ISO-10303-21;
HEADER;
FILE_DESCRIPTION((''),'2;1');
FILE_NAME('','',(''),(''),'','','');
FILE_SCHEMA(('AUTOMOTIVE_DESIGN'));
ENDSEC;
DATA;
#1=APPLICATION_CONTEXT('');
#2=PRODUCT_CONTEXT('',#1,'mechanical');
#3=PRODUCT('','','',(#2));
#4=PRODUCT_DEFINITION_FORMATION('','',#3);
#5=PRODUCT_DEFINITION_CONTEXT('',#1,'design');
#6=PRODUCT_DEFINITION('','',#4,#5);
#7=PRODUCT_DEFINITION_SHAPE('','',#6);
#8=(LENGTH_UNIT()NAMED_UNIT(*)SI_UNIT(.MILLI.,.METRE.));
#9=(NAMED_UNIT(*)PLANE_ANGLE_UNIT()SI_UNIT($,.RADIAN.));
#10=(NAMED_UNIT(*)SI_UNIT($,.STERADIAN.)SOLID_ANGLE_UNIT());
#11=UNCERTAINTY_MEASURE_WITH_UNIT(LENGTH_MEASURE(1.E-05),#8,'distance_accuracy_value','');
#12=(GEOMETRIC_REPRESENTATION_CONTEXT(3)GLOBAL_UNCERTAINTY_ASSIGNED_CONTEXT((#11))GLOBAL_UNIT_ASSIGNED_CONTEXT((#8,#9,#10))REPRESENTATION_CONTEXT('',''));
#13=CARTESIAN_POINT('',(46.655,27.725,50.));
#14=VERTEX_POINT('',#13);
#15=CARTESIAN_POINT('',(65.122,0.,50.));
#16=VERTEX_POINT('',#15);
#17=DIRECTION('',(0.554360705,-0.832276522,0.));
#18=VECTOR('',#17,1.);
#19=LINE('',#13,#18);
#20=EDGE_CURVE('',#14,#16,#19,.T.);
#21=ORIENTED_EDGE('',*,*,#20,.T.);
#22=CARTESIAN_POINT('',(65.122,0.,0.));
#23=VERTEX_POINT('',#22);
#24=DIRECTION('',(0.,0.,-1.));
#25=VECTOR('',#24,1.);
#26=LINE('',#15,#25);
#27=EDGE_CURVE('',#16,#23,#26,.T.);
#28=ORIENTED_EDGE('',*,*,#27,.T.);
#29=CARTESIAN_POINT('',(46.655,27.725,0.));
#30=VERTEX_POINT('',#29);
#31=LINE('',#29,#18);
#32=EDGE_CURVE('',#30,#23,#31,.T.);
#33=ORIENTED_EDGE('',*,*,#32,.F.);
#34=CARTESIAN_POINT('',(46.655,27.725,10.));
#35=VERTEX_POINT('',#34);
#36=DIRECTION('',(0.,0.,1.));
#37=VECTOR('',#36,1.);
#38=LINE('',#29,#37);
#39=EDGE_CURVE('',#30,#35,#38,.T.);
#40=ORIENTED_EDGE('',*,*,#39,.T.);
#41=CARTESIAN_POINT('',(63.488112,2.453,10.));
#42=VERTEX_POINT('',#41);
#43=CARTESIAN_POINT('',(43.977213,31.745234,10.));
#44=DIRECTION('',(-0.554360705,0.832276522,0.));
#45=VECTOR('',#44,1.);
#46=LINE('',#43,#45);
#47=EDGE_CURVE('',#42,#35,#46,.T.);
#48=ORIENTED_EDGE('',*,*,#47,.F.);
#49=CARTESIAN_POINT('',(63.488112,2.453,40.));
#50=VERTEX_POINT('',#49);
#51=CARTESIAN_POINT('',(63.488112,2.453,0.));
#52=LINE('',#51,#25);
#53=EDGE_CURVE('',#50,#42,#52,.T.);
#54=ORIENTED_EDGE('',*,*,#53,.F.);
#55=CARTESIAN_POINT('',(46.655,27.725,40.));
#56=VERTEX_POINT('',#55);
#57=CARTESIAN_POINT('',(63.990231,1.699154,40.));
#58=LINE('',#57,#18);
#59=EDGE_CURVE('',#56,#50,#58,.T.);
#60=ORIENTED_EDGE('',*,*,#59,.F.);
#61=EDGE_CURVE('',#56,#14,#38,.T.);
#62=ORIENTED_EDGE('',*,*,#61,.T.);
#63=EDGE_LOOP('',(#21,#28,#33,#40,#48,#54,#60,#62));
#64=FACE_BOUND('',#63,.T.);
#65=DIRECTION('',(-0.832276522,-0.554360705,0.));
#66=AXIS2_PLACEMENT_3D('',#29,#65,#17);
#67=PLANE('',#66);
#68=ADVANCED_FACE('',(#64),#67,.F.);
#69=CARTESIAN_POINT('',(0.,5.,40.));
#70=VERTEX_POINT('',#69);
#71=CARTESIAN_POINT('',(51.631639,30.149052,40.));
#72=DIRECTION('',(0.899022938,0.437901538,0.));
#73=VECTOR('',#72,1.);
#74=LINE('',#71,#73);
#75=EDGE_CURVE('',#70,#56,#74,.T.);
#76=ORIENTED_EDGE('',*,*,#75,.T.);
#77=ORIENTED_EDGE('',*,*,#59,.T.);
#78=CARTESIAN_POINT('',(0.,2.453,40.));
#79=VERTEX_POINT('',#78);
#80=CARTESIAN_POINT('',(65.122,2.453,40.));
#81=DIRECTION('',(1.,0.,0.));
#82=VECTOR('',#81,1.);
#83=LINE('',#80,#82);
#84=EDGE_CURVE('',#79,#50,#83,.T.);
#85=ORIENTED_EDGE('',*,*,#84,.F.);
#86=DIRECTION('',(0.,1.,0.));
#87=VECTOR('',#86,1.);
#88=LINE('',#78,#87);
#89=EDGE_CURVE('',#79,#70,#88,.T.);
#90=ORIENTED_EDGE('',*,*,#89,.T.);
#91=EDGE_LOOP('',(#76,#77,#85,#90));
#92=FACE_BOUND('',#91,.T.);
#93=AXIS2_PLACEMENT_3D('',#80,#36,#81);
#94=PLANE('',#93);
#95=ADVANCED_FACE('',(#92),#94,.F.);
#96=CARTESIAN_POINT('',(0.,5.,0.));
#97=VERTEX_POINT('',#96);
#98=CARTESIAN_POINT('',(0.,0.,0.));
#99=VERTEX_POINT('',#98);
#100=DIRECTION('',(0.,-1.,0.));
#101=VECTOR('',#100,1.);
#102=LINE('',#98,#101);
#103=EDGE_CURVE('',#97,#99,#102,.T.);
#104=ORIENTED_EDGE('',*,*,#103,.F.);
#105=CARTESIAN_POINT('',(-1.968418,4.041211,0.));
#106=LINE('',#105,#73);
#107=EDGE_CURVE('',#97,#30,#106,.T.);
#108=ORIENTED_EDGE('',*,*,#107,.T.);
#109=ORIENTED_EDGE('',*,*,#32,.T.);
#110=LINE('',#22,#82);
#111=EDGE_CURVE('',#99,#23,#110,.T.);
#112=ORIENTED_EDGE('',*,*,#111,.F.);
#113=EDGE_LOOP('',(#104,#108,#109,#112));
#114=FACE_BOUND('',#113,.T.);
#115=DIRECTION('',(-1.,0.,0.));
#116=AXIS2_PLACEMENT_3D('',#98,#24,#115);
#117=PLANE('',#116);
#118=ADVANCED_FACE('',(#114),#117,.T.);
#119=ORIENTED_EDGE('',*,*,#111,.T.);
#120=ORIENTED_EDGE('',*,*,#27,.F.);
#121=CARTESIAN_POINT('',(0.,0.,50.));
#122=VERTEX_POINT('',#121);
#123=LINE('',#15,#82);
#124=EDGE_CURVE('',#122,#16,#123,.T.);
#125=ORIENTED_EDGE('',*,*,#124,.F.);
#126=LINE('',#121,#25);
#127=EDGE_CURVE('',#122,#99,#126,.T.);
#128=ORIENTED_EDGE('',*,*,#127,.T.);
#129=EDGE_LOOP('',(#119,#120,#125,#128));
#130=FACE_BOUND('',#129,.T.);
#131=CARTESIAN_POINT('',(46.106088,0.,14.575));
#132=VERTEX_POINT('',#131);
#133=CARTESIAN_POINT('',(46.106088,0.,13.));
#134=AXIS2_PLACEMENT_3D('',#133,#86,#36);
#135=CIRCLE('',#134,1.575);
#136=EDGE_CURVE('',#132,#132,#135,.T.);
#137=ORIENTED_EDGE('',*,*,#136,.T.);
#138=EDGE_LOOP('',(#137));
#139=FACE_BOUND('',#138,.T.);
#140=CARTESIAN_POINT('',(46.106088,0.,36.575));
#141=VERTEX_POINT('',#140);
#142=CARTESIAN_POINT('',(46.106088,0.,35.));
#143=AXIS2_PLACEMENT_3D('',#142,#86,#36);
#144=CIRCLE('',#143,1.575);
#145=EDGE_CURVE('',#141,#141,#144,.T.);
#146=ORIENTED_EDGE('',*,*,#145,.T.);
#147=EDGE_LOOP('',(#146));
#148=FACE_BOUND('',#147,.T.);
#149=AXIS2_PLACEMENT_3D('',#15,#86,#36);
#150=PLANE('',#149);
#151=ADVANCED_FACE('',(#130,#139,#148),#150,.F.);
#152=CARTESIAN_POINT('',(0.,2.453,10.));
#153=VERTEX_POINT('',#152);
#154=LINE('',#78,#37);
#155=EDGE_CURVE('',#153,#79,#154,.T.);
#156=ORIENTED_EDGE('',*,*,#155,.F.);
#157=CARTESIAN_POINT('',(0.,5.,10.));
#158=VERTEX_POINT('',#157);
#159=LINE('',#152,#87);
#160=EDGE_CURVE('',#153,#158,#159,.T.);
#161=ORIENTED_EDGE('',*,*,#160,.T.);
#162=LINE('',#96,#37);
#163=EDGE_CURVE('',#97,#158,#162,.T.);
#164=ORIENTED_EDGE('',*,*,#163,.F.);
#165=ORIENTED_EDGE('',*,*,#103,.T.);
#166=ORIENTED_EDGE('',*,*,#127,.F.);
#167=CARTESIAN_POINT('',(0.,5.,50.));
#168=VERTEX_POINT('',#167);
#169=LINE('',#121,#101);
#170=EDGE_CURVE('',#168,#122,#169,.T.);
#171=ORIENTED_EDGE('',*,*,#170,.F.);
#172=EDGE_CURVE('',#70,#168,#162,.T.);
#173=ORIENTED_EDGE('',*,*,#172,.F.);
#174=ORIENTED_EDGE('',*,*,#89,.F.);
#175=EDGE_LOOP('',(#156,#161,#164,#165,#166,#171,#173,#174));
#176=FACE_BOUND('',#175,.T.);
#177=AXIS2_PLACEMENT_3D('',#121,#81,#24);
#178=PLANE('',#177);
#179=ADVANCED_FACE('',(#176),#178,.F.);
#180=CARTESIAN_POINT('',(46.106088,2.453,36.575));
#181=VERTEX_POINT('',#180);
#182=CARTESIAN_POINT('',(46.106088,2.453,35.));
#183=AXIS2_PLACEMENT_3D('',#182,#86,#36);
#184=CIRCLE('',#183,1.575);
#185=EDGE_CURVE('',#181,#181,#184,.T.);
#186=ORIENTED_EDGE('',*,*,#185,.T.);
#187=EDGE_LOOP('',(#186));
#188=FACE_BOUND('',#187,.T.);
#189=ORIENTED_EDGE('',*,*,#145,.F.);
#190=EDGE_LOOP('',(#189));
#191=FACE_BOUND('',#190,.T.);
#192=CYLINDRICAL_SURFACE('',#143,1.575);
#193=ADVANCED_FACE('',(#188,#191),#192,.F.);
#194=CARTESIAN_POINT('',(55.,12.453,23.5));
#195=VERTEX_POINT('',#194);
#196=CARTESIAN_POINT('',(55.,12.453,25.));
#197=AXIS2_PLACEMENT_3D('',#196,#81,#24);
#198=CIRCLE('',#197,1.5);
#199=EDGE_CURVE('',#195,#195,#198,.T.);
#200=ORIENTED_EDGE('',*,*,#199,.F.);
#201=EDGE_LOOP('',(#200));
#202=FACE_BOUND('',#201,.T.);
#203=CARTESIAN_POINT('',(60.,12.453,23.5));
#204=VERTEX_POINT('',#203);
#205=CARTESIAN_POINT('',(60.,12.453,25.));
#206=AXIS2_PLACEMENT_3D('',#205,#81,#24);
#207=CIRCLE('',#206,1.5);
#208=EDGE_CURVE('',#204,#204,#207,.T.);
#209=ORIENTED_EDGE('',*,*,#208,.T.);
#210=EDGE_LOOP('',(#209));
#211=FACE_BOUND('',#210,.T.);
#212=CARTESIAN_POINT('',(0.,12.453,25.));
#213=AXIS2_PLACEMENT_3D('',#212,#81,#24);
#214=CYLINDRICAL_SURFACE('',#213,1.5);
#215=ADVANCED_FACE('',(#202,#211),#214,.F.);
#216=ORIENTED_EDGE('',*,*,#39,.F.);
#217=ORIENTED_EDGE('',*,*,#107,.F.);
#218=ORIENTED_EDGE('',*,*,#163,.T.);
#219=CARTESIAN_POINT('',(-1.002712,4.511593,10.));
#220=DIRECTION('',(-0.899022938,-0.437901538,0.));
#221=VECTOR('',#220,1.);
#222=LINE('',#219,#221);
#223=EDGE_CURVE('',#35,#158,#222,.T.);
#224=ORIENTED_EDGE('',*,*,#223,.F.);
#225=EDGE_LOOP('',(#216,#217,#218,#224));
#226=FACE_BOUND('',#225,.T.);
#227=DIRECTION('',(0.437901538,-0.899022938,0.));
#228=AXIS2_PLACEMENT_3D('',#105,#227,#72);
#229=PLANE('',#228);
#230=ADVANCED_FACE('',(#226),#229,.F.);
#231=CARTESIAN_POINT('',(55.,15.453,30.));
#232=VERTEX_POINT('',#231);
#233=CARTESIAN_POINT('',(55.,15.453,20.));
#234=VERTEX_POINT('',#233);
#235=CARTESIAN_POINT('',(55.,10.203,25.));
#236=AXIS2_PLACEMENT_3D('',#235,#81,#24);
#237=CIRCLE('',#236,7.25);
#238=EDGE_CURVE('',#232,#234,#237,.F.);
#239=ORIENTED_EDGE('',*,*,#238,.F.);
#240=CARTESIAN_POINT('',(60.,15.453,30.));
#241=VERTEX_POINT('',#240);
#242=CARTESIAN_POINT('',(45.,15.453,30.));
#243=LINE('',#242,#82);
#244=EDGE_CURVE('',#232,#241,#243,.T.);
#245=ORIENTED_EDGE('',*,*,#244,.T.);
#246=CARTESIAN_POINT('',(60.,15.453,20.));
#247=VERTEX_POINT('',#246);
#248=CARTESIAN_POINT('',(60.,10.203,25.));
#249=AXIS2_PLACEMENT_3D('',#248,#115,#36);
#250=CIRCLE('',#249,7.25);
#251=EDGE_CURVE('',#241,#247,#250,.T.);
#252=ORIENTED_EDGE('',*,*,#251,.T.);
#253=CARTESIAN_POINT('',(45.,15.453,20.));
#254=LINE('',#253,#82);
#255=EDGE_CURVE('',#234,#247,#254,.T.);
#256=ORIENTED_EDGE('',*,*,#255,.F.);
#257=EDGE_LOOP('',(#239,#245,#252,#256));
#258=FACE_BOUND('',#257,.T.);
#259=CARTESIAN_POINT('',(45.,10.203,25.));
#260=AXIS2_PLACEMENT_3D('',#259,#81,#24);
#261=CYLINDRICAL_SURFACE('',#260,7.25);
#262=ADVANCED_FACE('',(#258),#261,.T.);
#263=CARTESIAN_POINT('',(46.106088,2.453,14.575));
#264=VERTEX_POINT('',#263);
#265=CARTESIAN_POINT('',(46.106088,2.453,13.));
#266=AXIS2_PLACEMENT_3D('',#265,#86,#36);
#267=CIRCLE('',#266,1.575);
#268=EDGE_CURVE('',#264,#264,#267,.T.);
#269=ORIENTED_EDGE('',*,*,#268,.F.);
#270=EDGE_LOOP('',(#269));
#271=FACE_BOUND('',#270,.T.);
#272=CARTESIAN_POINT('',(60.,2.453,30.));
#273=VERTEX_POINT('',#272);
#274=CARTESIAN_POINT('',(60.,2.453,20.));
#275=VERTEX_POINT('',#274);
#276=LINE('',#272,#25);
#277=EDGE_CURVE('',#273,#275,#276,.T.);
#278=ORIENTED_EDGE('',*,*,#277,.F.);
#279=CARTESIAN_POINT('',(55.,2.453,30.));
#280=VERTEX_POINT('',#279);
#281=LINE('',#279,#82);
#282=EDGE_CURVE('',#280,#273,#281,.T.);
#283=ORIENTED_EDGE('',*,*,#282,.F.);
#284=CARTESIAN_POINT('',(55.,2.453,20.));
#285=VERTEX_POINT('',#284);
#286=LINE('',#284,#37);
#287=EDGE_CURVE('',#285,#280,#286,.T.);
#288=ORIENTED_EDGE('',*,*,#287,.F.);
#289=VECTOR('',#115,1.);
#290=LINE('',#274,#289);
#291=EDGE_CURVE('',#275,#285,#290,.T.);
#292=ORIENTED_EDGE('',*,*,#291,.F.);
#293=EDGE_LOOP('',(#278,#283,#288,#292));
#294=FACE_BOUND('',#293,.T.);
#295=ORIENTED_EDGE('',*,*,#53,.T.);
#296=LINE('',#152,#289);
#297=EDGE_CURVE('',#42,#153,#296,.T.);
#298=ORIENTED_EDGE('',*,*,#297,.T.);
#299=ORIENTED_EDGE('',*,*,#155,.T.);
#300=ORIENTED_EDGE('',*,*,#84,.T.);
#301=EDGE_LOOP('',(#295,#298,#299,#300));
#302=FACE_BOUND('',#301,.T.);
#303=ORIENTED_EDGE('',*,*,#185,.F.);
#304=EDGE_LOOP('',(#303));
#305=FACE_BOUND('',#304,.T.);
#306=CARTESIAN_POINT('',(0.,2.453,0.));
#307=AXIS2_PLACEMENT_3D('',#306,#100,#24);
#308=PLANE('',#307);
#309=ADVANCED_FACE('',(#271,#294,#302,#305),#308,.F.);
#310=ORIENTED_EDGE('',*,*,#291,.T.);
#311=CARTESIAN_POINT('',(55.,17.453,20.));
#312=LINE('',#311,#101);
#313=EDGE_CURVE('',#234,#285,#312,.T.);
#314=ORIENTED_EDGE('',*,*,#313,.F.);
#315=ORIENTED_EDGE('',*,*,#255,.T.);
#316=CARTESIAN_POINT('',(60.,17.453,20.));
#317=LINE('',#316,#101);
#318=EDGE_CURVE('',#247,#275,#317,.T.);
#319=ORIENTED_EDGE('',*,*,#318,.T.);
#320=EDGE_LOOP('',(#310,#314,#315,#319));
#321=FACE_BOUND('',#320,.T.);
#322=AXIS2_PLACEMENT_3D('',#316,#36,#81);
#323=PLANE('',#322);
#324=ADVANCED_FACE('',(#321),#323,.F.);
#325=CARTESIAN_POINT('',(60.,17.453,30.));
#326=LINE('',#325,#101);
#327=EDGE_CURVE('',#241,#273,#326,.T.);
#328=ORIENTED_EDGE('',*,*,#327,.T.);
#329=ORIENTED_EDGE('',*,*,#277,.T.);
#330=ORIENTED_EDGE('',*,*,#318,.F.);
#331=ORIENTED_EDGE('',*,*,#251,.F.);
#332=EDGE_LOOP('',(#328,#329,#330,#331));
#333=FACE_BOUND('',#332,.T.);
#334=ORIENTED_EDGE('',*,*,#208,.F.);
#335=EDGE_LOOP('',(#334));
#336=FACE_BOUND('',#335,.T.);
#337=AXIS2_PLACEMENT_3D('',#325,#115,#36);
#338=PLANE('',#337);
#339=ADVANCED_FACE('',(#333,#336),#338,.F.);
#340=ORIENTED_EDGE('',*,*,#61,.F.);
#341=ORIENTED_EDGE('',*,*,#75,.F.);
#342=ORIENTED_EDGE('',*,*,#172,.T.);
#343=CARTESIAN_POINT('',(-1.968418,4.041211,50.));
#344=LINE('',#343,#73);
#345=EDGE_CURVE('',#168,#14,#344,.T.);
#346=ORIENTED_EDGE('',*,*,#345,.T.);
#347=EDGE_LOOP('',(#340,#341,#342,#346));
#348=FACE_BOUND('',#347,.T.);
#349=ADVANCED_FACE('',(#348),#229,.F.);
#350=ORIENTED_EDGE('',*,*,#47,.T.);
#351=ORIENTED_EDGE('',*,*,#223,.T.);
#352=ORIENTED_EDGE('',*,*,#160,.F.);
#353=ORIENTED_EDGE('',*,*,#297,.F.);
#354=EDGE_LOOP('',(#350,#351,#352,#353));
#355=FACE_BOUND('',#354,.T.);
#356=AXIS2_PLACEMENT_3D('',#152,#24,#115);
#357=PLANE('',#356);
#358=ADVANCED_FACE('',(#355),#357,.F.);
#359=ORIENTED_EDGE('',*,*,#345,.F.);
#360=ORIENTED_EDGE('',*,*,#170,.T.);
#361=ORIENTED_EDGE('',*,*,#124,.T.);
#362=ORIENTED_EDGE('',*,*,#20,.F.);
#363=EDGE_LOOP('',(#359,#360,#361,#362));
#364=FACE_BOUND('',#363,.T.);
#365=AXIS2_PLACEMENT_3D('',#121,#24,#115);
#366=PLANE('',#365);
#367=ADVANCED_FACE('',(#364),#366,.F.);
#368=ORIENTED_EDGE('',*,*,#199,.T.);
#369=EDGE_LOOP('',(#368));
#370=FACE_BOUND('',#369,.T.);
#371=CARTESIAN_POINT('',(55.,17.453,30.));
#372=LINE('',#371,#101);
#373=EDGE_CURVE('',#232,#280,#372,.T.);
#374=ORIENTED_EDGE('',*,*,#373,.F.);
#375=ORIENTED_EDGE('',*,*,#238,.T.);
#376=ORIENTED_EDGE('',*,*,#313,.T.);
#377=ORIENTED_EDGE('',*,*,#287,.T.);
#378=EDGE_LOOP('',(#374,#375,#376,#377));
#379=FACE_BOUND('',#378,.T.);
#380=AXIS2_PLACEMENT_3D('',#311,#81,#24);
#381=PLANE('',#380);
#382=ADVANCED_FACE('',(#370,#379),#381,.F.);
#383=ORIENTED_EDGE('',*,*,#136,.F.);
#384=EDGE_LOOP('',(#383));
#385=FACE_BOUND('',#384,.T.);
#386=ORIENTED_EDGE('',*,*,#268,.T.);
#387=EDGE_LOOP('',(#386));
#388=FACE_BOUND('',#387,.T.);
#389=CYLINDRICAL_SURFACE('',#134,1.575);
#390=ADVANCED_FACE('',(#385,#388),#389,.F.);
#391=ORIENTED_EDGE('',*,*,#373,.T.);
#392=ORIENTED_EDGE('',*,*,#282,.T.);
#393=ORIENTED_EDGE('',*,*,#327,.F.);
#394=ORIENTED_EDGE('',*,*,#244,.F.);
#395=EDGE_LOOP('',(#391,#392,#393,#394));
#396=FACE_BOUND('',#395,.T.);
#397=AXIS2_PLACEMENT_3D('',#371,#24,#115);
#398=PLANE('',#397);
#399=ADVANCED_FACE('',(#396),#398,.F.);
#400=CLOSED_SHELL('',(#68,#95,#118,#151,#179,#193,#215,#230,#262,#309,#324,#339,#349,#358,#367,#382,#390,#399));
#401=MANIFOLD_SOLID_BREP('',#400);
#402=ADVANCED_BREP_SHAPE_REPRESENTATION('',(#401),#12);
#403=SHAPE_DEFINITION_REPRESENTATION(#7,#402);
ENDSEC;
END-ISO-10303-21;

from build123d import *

# Parameters (mm, degrees)
SKETCH1_W           = 65.122
SKETCH1_H           = 27.725
BOSS_EXTRUDE1_DEPTH = 50
SKETCH3_W           = 65.122
SKETCH3_H           = 30
CUT_EXTRUDE1_DEPTH  = 25.272
CUT_EXTRUDE2_DEPTH  = 87.657662725
CUT_EXTRUDE3_DEPTH  = 87.657662725
SKETCH6_W           = 5
SKETCH6_H           = 10
BOSS_EXTRUDE2_DEPTH = 15
CUT_EXTRUDE5_DEPTH  = 15
SKETCH9_R           = 1.5
CUT_EXTRUDE6_DEPTH  = 83.877473568
SKETCH10_R          = 1.575
CUT_EXTRUDE7_DEPTH  = 86.904300637


with BuildPart() as part:
    # Sketch1 → Boss-Extrude1 (new body)
    with BuildSketch(Plane.XY):
        with Locations((32.561, 13.8625)):
            Rectangle(SKETCH1_W, SKETCH1_H)
    extrude(amount=BOSS_EXTRUDE1_DEPTH)

    # Sketch3 → Cut-Extrude1 (cut)
    with BuildSketch(Plane(origin=(0, 27.725, 0), x_dir=(1, 0, 0), z_dir=(0, 1, 0))):
        with Locations((32.561, -25)):
            Rectangle(SKETCH3_W, SKETCH3_H)
    extrude(amount=-CUT_EXTRUDE1_DEPTH, mode=Mode.SUBTRACT)

    # Sketch4 → Cut-Extrude2 (cut, through all)
    with BuildSketch(Plane.XY.offset(50)):
        Polygon((0, 27.725), (0, 5), (46.655, 27.725), align=None)
    extrude(amount=-CUT_EXTRUDE2_DEPTH, mode=Mode.SUBTRACT)

    # Sketch5 → Cut-Extrude3 (cut, through all)
    with BuildSketch(Plane.XY.offset(50)):
        Polygon((46.655, 27.725), (65.122, 0), (65.122, 27.725), align=None)
    extrude(amount=-CUT_EXTRUDE3_DEPTH, mode=Mode.SUBTRACT)

    # Sketch6 → Boss-Extrude2 (add)
    with BuildSketch(Plane(origin=(0, 2.453, 0), x_dir=(1, 0, 0), z_dir=(0, 1, 0))):
        with Locations((57.5, -25)):
            Rectangle(SKETCH6_W, SKETCH6_H)
    extrude(amount=BOSS_EXTRUDE2_DEPTH)

    # Sketch7 → Cut-Extrude5 (cut)
    with BuildSketch(Plane(origin=(60, 0, 0), x_dir=(0, 0, -1), z_dir=(1, 0, 0))):
        with BuildLine():
            Line((-30, 15.453), (-30, 17.453))
            Line((-30, 17.453), (-24.889040711, 17.831001858))
            Line((-24.889040711, 17.831001858), (-20, 17.453))
            Line((-20, 17.453), (-20, 15.453))
            ThreePointArc((-20, 15.453), (-25, 17.453), (-30, 15.453))
        make_face()
    extrude(amount=-CUT_EXTRUDE5_DEPTH, mode=Mode.SUBTRACT)

    # Sketch9 → Cut-Extrude6 (cut, through all)
    with BuildSketch(Plane(origin=(60, 0, 0), x_dir=(0, 0, -1), z_dir=(1, 0, 0))):
        with Locations((-25, 12.453)):
            Circle(SKETCH9_R)
    extrude(amount=-CUT_EXTRUDE6_DEPTH, mode=Mode.SUBTRACT)

    # Sketch10 → Cut-Extrude7 (cut, through all)
    with BuildSketch(Plane(origin=(0, 2.453, 0), x_dir=(1, 0, 0), z_dir=(0, 1, 0))):
        with Locations(Location((46.10608811, -35, 0), (0, 0, 270))):
            Circle(SKETCH10_R)
        with Locations(Location((46.10608811, -13, 0), (0, 0, 270))):
            Circle(SKETCH10_R)
    extrude(amount=-CUT_EXTRUDE7_DEPTH, mode=Mode.SUBTRACT)


solid = part.part
